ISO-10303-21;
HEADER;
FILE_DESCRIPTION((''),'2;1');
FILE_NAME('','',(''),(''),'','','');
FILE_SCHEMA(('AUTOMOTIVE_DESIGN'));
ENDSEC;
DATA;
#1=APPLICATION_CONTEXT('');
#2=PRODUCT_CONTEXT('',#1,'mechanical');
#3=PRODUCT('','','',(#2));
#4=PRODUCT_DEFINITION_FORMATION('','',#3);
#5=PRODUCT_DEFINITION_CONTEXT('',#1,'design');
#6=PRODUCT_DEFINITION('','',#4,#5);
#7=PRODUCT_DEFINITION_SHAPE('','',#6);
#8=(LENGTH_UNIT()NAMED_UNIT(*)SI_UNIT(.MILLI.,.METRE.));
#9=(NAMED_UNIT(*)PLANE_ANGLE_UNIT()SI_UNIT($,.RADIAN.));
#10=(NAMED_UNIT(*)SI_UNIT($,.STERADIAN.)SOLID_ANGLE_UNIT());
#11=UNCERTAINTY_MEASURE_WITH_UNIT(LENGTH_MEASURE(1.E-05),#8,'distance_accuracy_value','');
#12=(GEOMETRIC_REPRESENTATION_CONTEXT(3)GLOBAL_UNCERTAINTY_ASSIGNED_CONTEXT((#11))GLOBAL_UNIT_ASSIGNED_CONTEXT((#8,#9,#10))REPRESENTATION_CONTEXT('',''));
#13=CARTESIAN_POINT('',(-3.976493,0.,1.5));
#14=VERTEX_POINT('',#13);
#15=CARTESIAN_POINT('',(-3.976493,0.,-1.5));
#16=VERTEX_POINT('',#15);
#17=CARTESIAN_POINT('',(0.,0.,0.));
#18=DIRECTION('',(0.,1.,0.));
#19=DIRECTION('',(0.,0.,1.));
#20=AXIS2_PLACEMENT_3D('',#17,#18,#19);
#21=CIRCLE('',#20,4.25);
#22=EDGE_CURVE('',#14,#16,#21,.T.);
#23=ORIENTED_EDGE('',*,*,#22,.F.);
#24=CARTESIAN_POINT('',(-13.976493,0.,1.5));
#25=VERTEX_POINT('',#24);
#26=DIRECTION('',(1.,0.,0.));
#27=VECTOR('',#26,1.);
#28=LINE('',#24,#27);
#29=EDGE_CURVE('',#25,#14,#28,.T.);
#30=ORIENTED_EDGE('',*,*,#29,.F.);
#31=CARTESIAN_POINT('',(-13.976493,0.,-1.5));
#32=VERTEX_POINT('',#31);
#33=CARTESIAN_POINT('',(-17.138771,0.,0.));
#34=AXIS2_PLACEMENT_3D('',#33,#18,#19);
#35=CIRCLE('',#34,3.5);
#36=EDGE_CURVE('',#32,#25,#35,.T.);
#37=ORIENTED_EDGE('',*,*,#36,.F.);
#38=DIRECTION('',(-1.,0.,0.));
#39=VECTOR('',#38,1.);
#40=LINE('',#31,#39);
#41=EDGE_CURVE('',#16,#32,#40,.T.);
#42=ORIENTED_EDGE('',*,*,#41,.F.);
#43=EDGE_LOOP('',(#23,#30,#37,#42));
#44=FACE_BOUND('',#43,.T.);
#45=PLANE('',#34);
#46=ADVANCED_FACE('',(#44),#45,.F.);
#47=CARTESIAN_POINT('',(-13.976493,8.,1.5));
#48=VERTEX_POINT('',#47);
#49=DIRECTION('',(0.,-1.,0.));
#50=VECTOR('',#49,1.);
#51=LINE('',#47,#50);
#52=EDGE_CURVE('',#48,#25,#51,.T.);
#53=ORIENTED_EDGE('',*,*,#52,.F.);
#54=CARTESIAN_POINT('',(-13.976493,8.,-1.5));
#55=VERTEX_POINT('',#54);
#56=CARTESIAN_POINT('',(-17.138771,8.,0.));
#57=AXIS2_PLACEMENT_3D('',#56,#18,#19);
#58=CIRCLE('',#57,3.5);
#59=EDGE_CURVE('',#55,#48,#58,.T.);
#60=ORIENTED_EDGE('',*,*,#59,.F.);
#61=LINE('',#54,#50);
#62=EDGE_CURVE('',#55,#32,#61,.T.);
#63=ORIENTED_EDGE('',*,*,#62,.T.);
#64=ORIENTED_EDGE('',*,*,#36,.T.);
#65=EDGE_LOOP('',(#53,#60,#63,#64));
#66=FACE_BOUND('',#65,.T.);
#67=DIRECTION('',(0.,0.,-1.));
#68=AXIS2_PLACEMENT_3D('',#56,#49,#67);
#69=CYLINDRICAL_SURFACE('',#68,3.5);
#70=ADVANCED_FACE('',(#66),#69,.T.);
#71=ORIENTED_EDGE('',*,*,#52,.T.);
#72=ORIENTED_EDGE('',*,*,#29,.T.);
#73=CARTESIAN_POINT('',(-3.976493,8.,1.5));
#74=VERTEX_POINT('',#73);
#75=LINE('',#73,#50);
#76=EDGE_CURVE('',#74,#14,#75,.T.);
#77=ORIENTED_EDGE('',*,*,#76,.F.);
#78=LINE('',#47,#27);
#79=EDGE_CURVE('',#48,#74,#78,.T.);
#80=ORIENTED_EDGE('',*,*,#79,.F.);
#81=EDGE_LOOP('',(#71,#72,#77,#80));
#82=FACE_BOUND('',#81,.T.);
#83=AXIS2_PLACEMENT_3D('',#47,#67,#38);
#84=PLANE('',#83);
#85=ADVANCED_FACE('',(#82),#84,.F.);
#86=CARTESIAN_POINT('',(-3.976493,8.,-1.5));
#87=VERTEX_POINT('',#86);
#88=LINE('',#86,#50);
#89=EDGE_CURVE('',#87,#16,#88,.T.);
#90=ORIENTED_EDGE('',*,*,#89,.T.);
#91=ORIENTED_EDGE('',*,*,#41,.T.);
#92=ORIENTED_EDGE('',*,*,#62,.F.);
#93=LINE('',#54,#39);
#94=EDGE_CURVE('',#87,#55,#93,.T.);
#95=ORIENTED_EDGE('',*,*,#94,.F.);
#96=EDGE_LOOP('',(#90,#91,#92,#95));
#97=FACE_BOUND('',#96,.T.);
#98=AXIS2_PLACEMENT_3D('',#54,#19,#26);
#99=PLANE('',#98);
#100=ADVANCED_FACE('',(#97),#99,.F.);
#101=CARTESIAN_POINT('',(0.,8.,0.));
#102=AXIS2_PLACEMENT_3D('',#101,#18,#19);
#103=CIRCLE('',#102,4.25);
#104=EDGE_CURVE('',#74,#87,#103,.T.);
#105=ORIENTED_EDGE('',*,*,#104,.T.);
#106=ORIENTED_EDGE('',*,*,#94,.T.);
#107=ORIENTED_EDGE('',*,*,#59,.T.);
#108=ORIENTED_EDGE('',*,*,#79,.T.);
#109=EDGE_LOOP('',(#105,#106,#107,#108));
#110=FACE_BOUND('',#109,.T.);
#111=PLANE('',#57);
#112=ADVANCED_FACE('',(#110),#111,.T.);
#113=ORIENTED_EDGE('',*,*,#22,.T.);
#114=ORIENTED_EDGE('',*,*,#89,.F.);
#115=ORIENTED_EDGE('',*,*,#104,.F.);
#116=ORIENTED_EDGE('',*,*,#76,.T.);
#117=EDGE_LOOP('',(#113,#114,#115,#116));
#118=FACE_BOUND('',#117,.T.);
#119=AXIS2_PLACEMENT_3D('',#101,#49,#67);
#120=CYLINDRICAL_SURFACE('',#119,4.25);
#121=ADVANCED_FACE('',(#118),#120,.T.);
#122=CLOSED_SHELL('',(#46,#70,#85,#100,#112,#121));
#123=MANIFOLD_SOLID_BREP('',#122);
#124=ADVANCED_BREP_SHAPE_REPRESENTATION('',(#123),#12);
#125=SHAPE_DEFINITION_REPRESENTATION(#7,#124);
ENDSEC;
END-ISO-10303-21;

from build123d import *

# Parameters (mm, degrees)
BOSS_EXTRUDE1_DEPTH = 8


with BuildPart() as part:
    # Sketch1 → Boss-Extrude1 (new body)
    with BuildSketch(Plane(origin=(0, 0, 0), x_dir=(1, 0, 0), z_dir=(0, 1, 0))):
        with BuildLine():
            Line((-13.97649343, 1.5), (-3.97649343, 1.5))
            ThreePointArc((-3.97649343, 1.5), (4.25, 0), (-3.97649343, -1.5))
            Line((-3.97649343, -1.5), (-13.97649343, -1.5))
            ThreePointArc((-13.97649343, -1.5), (-20.63877109, 0), (-13.97649343, 1.5))
        make_face()
    extrude(amount=BOSS_EXTRUDE1_DEPTH)


solid = part.part
